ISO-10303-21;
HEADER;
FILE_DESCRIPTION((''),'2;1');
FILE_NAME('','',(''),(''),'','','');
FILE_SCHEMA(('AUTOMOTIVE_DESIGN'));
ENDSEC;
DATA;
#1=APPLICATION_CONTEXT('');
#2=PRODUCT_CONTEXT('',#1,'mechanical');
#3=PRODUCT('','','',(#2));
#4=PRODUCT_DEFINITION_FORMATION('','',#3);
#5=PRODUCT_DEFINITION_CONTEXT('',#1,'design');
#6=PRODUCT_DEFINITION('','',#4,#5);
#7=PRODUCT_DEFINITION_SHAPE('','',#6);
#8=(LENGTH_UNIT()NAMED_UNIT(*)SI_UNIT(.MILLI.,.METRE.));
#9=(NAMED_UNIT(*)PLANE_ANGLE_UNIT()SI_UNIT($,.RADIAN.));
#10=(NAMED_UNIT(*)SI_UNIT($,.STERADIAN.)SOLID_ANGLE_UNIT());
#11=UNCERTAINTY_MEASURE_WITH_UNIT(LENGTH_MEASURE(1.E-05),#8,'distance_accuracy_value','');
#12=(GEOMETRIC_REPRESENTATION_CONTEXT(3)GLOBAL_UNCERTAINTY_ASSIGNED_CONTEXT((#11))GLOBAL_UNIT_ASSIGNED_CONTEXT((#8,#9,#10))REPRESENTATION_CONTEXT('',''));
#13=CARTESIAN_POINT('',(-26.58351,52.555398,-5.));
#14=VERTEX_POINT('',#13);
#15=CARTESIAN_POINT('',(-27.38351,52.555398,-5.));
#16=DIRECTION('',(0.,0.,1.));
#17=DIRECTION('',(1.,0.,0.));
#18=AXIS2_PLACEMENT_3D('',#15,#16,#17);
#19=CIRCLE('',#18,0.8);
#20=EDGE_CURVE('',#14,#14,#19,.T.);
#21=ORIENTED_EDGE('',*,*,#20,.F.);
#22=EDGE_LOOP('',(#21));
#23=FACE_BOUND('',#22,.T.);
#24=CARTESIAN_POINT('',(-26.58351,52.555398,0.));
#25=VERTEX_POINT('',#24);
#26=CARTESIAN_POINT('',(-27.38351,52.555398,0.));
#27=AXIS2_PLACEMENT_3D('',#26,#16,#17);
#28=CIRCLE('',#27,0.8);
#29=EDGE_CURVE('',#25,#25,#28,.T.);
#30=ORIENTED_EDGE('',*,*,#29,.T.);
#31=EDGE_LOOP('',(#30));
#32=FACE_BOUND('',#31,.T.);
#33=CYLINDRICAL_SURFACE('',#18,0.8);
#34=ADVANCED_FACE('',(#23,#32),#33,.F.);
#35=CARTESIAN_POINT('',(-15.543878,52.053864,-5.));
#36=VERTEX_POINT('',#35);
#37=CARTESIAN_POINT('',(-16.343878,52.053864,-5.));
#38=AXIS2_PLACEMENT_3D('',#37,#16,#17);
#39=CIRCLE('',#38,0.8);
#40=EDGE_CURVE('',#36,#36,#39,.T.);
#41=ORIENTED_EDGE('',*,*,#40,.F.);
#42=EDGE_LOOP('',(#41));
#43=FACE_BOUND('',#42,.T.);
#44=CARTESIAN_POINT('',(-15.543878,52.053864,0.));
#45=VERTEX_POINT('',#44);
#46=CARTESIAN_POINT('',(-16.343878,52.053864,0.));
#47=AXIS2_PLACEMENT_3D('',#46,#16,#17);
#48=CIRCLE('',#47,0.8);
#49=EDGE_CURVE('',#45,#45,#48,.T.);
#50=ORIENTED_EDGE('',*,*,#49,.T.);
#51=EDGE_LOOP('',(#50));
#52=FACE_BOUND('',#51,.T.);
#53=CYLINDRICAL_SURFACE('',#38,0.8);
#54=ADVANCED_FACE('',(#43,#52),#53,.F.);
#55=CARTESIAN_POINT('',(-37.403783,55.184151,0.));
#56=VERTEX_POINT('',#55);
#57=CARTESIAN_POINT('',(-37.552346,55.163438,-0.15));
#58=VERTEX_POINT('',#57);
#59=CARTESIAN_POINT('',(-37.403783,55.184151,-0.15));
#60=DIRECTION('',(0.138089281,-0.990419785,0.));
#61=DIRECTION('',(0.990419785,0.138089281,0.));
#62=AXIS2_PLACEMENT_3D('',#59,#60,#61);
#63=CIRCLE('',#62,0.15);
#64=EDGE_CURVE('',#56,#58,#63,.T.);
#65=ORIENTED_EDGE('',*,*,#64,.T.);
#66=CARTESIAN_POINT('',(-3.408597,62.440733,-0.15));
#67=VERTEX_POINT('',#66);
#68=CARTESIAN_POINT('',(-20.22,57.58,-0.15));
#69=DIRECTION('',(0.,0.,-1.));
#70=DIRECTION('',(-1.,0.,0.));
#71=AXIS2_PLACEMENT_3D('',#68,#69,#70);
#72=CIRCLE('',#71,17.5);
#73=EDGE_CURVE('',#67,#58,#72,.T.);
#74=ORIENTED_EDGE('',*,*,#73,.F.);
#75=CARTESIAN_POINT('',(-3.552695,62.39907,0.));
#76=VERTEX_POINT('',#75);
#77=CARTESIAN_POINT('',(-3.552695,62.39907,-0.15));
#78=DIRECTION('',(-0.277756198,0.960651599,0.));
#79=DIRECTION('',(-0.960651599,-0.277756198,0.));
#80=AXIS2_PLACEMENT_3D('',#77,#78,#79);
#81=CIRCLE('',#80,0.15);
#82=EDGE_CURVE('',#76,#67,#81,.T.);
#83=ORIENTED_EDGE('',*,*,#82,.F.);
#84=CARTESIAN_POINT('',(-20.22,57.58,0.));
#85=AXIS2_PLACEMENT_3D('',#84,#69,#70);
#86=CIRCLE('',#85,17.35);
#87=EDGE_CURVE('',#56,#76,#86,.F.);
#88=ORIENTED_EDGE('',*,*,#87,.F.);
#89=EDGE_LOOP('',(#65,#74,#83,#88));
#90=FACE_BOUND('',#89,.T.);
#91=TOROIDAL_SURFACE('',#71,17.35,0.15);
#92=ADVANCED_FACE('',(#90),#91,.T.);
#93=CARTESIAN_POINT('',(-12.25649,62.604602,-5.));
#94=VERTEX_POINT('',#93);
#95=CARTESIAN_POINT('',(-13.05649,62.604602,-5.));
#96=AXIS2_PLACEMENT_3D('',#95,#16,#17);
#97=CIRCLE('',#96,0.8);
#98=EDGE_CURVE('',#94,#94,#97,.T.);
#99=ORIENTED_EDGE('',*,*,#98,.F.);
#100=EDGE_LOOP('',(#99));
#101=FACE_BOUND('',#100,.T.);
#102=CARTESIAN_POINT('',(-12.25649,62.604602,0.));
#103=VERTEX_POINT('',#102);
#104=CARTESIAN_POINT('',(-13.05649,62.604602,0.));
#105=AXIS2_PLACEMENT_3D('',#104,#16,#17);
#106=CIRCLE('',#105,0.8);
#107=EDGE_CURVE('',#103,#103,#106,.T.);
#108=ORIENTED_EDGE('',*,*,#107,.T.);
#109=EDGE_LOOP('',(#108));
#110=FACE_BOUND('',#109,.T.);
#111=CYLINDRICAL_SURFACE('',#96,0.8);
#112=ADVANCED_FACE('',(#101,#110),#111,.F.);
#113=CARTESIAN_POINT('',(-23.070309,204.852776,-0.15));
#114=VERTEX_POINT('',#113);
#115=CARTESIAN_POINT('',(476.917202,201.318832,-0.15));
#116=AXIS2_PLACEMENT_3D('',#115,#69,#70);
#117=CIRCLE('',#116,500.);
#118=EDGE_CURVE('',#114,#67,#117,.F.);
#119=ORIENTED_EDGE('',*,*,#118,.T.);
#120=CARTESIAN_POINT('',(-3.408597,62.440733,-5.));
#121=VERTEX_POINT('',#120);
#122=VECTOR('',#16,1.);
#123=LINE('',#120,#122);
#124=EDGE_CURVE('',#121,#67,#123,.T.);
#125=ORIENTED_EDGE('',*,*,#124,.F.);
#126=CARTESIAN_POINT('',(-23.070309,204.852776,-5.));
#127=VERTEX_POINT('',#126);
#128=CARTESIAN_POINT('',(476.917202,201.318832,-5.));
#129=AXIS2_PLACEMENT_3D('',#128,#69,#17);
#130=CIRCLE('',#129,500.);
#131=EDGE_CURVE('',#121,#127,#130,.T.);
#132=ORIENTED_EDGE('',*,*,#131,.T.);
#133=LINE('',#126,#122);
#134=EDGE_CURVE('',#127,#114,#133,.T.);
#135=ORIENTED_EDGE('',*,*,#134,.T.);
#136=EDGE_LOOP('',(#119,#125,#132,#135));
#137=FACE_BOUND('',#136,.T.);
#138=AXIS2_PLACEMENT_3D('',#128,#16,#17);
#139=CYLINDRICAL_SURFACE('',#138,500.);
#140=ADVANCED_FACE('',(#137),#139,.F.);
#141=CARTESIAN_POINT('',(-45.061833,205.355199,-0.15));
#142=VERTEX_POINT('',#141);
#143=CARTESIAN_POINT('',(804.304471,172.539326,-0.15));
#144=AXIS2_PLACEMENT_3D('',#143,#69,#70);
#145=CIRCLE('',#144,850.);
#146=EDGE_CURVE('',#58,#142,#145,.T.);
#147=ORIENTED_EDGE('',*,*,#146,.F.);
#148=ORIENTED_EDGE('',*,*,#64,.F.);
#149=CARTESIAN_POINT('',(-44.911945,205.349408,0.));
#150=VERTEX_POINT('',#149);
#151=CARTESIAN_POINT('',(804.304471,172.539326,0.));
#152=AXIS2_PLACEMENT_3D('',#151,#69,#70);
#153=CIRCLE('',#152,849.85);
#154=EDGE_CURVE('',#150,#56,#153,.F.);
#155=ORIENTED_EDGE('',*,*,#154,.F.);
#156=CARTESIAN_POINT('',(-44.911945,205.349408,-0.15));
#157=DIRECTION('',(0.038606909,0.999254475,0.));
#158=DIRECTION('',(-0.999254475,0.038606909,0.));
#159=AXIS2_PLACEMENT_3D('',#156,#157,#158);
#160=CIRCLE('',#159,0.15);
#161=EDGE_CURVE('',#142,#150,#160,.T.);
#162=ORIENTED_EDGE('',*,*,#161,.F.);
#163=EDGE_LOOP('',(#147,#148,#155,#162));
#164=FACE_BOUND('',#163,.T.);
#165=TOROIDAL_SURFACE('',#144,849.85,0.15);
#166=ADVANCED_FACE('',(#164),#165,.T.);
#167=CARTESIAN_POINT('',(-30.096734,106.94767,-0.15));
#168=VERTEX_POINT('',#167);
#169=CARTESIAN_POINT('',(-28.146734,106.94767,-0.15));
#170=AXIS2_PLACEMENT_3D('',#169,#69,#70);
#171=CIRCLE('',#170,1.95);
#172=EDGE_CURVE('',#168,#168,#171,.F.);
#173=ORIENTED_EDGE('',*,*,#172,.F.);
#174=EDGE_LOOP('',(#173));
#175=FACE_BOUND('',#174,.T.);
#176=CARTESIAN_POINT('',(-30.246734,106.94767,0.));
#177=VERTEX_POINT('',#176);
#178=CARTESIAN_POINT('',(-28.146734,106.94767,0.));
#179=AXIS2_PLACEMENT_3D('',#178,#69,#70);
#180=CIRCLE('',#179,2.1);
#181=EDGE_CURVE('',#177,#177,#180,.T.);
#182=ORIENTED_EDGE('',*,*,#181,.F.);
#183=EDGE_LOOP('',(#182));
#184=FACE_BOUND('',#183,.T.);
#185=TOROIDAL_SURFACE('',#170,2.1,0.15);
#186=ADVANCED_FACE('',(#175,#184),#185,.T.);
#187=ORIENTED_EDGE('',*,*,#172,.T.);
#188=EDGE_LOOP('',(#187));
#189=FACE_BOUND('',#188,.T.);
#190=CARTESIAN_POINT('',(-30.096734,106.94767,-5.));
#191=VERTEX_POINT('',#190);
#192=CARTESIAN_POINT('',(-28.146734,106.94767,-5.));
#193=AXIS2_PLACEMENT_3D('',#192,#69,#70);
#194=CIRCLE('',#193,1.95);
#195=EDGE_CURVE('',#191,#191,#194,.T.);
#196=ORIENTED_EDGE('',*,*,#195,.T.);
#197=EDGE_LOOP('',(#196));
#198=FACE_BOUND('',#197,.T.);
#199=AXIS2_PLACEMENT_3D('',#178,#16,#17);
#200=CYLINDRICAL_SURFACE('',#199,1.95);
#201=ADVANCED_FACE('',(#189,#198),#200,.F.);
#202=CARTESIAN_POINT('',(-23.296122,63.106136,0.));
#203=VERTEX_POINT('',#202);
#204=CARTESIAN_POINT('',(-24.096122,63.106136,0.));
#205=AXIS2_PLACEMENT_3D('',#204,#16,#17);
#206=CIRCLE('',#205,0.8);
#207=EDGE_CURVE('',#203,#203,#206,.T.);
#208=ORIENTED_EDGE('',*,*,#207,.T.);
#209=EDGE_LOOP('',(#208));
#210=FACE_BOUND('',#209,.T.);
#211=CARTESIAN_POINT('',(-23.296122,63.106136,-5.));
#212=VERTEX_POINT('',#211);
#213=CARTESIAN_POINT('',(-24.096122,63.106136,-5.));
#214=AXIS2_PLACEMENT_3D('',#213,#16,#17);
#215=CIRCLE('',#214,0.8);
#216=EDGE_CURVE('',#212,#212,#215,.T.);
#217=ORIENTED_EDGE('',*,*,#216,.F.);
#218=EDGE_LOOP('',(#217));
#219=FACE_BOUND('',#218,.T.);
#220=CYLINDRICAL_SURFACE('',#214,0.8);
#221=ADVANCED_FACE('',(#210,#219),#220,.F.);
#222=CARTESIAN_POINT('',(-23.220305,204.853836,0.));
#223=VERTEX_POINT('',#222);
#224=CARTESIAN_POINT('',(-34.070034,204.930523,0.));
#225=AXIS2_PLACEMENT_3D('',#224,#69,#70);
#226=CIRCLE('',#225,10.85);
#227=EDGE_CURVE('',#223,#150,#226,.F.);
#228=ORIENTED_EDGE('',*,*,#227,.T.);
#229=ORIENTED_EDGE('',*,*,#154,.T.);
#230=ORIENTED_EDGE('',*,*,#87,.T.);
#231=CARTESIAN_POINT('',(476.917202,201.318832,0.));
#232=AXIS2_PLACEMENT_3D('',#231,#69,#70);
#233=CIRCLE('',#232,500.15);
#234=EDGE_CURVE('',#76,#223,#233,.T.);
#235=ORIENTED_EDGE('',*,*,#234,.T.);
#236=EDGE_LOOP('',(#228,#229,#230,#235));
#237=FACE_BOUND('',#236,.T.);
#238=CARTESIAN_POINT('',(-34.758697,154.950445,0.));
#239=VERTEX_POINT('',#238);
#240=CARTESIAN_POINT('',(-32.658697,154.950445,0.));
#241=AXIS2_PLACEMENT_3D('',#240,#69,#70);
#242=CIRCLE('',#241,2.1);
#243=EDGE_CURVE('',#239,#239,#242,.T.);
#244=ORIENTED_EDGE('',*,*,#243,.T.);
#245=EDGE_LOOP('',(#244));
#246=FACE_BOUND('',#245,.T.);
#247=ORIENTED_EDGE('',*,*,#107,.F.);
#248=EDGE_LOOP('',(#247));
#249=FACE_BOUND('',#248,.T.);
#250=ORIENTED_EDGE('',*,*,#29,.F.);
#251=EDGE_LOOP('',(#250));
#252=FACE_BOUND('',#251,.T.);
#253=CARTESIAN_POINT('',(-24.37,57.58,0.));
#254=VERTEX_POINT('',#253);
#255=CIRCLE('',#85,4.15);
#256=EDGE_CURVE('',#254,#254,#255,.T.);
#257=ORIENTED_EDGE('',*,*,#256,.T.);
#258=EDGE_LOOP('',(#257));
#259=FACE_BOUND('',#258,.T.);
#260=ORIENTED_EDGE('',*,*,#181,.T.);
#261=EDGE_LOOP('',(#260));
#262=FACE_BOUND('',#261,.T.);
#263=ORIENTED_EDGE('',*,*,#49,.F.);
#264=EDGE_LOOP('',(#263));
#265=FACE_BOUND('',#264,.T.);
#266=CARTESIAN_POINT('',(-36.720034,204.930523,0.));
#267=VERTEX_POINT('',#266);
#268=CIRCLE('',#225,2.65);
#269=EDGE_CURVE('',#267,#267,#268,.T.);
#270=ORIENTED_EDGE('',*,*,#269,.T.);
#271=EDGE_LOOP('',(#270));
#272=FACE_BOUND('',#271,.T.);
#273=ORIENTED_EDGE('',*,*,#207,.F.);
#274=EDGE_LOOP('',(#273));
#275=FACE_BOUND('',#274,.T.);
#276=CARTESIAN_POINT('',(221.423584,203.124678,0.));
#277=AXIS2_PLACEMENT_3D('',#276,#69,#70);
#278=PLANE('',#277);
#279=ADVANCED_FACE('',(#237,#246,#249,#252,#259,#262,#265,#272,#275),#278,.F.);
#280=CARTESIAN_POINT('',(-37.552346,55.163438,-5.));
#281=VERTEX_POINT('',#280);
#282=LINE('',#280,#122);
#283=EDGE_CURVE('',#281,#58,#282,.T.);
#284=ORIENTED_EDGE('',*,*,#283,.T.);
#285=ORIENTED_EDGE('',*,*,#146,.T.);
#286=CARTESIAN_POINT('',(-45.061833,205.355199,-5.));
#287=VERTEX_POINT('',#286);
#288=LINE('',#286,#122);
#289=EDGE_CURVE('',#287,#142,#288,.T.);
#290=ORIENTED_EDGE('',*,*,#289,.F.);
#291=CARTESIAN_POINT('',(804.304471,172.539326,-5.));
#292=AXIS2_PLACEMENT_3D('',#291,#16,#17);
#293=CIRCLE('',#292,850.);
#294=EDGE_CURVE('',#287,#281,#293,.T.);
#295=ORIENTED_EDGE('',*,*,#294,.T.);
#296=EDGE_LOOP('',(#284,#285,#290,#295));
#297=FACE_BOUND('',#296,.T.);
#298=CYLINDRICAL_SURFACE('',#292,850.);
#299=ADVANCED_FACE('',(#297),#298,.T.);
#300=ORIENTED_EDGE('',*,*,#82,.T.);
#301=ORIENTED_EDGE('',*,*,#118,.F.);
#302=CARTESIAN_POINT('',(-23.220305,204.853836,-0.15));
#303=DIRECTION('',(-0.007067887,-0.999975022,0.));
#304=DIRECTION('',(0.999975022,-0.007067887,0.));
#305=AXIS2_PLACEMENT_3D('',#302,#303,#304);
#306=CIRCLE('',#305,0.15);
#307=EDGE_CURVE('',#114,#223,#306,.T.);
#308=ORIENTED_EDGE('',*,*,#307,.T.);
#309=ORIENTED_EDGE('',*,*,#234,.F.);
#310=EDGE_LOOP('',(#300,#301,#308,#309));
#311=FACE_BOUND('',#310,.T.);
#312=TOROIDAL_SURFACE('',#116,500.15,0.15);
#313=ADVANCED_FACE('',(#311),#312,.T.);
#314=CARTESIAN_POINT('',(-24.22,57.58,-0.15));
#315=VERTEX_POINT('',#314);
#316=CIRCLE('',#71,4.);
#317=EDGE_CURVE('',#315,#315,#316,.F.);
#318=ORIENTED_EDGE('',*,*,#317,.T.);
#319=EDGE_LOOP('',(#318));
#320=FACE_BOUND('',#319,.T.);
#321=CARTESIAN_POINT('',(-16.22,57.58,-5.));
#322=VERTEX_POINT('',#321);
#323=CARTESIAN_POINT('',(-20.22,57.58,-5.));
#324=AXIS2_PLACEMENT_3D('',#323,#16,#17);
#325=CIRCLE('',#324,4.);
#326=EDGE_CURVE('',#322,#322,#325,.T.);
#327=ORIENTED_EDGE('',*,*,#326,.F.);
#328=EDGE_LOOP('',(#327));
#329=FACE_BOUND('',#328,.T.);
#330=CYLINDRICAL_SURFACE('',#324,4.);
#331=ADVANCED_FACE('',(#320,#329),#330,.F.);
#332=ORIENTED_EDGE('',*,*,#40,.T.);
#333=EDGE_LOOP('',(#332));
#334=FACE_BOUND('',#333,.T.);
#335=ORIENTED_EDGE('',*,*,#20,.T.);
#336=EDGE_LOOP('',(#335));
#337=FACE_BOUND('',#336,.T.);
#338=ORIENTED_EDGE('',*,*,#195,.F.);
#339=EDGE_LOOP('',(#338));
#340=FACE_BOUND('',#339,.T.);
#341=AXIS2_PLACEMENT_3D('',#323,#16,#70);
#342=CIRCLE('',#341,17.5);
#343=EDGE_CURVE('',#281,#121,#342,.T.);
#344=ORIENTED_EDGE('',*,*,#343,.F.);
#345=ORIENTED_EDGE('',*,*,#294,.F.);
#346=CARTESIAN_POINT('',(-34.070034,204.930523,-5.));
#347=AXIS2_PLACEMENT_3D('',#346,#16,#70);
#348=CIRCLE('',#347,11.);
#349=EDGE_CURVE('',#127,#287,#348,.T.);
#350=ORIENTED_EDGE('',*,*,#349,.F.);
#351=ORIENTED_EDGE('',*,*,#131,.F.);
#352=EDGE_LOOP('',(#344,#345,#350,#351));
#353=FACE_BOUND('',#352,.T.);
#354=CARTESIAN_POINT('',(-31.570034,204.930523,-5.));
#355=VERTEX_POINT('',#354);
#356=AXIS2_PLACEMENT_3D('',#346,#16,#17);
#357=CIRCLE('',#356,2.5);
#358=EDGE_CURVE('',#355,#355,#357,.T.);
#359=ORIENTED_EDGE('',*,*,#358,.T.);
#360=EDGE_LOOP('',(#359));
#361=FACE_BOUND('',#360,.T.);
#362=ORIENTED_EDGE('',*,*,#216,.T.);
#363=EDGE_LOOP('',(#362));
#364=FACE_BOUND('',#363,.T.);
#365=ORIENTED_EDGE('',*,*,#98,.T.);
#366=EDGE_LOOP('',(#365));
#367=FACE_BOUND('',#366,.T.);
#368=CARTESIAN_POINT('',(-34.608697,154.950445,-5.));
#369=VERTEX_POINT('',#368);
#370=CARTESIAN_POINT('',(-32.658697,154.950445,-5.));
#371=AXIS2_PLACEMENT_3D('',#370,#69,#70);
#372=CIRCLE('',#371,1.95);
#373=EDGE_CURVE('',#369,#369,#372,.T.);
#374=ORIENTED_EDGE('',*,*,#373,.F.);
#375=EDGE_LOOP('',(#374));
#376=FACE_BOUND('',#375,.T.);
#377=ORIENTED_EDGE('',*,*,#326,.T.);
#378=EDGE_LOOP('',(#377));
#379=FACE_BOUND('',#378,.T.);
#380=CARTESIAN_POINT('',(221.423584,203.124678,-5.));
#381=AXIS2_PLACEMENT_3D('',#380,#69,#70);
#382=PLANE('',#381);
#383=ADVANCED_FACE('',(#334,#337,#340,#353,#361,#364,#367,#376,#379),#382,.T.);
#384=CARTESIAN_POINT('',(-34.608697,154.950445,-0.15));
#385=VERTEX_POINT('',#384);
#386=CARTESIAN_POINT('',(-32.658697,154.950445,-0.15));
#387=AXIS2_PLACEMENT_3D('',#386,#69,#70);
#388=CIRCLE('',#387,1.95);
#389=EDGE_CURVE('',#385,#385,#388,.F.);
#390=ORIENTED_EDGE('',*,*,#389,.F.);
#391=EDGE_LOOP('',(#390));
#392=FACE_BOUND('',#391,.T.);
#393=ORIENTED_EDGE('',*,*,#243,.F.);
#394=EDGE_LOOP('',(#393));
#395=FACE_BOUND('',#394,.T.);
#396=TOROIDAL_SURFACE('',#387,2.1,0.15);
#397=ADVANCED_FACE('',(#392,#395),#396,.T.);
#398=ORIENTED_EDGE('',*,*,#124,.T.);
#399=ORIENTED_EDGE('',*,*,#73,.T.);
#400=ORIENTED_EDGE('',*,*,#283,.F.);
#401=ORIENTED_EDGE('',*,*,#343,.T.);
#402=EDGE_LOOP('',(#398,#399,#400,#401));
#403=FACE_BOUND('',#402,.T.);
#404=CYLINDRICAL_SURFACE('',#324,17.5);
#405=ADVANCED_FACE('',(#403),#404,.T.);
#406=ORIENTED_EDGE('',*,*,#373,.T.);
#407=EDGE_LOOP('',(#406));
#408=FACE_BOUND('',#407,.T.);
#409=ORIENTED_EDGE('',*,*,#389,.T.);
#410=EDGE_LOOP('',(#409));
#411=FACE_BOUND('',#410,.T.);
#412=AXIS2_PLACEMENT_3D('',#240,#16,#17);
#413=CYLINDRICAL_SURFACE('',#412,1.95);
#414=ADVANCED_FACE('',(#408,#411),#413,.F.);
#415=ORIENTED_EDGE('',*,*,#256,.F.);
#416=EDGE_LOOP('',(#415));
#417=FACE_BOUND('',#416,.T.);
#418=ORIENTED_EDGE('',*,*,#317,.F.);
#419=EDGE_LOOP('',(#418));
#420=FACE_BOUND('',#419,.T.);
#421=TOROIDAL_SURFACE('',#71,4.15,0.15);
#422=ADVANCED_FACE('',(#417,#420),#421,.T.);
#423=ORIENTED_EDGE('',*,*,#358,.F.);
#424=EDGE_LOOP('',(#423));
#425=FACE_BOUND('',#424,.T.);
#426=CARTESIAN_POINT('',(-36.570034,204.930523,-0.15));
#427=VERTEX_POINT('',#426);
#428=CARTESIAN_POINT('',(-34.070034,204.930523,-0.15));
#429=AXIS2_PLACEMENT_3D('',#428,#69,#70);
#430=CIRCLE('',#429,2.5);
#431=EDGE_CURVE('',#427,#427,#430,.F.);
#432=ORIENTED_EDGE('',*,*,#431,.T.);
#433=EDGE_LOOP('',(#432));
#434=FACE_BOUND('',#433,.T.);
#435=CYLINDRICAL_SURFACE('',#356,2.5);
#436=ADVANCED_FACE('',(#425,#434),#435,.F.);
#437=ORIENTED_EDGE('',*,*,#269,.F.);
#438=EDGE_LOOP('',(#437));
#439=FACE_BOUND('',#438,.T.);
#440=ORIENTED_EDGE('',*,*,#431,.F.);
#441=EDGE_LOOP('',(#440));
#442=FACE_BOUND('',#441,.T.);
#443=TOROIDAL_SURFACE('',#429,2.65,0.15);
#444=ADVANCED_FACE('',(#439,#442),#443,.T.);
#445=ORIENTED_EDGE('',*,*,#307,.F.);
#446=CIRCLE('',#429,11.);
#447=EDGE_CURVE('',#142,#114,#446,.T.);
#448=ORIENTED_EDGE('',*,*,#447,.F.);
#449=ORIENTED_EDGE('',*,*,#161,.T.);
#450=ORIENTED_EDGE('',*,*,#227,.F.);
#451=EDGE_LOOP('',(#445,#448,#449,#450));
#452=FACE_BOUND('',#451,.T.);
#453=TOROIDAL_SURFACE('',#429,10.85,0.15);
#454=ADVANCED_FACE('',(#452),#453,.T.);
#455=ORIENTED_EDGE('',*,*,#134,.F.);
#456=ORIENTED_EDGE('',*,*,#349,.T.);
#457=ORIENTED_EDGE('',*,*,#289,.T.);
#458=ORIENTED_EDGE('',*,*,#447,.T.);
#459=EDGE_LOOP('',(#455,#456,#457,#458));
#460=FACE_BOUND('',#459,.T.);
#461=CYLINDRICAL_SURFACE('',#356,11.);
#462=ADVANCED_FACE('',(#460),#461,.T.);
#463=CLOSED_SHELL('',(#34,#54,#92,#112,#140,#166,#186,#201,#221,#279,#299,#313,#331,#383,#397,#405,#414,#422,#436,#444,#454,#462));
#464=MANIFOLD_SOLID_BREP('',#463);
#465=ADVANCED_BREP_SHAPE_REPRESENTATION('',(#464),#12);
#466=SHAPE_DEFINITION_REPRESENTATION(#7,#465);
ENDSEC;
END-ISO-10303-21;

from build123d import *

# Parameters (mm, degrees)
SKETCH2_R                  = 2.5
SKETCH2_R_2                = 4
BOSS_EXTRUDE1_DEPTH        = 5
M3_5_CLEARANCE_HOLE1_D     = 3.9
M3_5_CLEARANCE_HOLE1_DEPTH = 10
M3_5_CLEARANCE_HOLE1_TIP   = 1.171678207
FILLET1_R                  = 0.15
SKETCH8_R                  = 0.8
CUT_EXTRUDE1_DEPTH         = 221.769273329


with BuildPart() as part:
    # Sketch2 → Boss-Extrude1 (new body)
    with BuildSketch(Plane.XY):
        with BuildLine():
            ThreePointArc((-23.070308625, 204.852776014), (-18.384568366, 132.936409066), (-3.408597018, 62.440733462))
            ThreePointArc((-3.408597018, 62.440733462), (-16.572041078, 40.464439954), (-37.552346237, 55.163437582))
            ThreePointArc((-37.552346237, 55.163437582), (-44.635045584, 130.092922622), (-45.061833099, 205.355198769))
            ThreePointArc((-45.061833099, 205.355198769), (-33.818791234, 215.927653179), (-23.070308625, 204.852776014))
        make_face()
        with Locations((-34.070033869, 204.930522774)):
            Circle(SKETCH2_R, mode=Mode.SUBTRACT)
        with Locations((-20.22, 57.58)):
            Circle(SKETCH2_R_2, mode=Mode.SUBTRACT)
    extrude(amount=-BOSS_EXTRUDE1_DEPTH)

    # M3.5 Clearance Hole1
    with Locations(Plane.XY):
        with Locations((-32.658696908, 154.950445464), (-28.146734226, 106.947670438)):
            Hole(M3_5_CLEARANCE_HOLE1_D / 2, depth=M3_5_CLEARANCE_HOLE1_DEPTH)
            with Locations((0, 0, -(M3_5_CLEARANCE_HOLE1_DEPTH + M3_5_CLEARANCE_HOLE1_TIP / 2))):  # 118° drill point
                Cone(0, M3_5_CLEARANCE_HOLE1_D / 2, M3_5_CLEARANCE_HOLE1_TIP, mode=Mode.SUBTRACT)

    # Fillet1
    fillet1_edges = [part.edges().sort_by_distance(p)[0] for p in [
        (-36.570033869, 204.930522774, 0),
        (-24.22, 57.58, 0),
        (-26.196734226, 106.947670438, 0),
        (-30.708696908, 154.950445464, 0),
        (-18.384568366, 132.936409066, 0),
        (-16.572041078, 40.464439954, 0),
        (-44.635045584, 130.092922622, 0),
        (-33.818791234, 215.927653179, 0),
    ]]
    fillet(fillet1_edges, radius=FILLET1_R)

    # Sketch8 → Cut-Extrude1 (cut, through all)
    with BuildSketch(Plane.XY):
        with Locations((-27.383509966, 52.555398028)):
            Circle(SKETCH8_R)
        with Locations((-16.343878479, 52.053863741)):
            Circle(SKETCH8_R)
        with Locations((-13.056490034, 62.604601972)):
            Circle(SKETCH8_R)
        with Locations((-24.096121521, 63.106136259)):
            Circle(SKETCH8_R)
    extrude(amount=-CUT_EXTRUDE1_DEPTH, mode=Mode.SUBTRACT)


solid = part.part
